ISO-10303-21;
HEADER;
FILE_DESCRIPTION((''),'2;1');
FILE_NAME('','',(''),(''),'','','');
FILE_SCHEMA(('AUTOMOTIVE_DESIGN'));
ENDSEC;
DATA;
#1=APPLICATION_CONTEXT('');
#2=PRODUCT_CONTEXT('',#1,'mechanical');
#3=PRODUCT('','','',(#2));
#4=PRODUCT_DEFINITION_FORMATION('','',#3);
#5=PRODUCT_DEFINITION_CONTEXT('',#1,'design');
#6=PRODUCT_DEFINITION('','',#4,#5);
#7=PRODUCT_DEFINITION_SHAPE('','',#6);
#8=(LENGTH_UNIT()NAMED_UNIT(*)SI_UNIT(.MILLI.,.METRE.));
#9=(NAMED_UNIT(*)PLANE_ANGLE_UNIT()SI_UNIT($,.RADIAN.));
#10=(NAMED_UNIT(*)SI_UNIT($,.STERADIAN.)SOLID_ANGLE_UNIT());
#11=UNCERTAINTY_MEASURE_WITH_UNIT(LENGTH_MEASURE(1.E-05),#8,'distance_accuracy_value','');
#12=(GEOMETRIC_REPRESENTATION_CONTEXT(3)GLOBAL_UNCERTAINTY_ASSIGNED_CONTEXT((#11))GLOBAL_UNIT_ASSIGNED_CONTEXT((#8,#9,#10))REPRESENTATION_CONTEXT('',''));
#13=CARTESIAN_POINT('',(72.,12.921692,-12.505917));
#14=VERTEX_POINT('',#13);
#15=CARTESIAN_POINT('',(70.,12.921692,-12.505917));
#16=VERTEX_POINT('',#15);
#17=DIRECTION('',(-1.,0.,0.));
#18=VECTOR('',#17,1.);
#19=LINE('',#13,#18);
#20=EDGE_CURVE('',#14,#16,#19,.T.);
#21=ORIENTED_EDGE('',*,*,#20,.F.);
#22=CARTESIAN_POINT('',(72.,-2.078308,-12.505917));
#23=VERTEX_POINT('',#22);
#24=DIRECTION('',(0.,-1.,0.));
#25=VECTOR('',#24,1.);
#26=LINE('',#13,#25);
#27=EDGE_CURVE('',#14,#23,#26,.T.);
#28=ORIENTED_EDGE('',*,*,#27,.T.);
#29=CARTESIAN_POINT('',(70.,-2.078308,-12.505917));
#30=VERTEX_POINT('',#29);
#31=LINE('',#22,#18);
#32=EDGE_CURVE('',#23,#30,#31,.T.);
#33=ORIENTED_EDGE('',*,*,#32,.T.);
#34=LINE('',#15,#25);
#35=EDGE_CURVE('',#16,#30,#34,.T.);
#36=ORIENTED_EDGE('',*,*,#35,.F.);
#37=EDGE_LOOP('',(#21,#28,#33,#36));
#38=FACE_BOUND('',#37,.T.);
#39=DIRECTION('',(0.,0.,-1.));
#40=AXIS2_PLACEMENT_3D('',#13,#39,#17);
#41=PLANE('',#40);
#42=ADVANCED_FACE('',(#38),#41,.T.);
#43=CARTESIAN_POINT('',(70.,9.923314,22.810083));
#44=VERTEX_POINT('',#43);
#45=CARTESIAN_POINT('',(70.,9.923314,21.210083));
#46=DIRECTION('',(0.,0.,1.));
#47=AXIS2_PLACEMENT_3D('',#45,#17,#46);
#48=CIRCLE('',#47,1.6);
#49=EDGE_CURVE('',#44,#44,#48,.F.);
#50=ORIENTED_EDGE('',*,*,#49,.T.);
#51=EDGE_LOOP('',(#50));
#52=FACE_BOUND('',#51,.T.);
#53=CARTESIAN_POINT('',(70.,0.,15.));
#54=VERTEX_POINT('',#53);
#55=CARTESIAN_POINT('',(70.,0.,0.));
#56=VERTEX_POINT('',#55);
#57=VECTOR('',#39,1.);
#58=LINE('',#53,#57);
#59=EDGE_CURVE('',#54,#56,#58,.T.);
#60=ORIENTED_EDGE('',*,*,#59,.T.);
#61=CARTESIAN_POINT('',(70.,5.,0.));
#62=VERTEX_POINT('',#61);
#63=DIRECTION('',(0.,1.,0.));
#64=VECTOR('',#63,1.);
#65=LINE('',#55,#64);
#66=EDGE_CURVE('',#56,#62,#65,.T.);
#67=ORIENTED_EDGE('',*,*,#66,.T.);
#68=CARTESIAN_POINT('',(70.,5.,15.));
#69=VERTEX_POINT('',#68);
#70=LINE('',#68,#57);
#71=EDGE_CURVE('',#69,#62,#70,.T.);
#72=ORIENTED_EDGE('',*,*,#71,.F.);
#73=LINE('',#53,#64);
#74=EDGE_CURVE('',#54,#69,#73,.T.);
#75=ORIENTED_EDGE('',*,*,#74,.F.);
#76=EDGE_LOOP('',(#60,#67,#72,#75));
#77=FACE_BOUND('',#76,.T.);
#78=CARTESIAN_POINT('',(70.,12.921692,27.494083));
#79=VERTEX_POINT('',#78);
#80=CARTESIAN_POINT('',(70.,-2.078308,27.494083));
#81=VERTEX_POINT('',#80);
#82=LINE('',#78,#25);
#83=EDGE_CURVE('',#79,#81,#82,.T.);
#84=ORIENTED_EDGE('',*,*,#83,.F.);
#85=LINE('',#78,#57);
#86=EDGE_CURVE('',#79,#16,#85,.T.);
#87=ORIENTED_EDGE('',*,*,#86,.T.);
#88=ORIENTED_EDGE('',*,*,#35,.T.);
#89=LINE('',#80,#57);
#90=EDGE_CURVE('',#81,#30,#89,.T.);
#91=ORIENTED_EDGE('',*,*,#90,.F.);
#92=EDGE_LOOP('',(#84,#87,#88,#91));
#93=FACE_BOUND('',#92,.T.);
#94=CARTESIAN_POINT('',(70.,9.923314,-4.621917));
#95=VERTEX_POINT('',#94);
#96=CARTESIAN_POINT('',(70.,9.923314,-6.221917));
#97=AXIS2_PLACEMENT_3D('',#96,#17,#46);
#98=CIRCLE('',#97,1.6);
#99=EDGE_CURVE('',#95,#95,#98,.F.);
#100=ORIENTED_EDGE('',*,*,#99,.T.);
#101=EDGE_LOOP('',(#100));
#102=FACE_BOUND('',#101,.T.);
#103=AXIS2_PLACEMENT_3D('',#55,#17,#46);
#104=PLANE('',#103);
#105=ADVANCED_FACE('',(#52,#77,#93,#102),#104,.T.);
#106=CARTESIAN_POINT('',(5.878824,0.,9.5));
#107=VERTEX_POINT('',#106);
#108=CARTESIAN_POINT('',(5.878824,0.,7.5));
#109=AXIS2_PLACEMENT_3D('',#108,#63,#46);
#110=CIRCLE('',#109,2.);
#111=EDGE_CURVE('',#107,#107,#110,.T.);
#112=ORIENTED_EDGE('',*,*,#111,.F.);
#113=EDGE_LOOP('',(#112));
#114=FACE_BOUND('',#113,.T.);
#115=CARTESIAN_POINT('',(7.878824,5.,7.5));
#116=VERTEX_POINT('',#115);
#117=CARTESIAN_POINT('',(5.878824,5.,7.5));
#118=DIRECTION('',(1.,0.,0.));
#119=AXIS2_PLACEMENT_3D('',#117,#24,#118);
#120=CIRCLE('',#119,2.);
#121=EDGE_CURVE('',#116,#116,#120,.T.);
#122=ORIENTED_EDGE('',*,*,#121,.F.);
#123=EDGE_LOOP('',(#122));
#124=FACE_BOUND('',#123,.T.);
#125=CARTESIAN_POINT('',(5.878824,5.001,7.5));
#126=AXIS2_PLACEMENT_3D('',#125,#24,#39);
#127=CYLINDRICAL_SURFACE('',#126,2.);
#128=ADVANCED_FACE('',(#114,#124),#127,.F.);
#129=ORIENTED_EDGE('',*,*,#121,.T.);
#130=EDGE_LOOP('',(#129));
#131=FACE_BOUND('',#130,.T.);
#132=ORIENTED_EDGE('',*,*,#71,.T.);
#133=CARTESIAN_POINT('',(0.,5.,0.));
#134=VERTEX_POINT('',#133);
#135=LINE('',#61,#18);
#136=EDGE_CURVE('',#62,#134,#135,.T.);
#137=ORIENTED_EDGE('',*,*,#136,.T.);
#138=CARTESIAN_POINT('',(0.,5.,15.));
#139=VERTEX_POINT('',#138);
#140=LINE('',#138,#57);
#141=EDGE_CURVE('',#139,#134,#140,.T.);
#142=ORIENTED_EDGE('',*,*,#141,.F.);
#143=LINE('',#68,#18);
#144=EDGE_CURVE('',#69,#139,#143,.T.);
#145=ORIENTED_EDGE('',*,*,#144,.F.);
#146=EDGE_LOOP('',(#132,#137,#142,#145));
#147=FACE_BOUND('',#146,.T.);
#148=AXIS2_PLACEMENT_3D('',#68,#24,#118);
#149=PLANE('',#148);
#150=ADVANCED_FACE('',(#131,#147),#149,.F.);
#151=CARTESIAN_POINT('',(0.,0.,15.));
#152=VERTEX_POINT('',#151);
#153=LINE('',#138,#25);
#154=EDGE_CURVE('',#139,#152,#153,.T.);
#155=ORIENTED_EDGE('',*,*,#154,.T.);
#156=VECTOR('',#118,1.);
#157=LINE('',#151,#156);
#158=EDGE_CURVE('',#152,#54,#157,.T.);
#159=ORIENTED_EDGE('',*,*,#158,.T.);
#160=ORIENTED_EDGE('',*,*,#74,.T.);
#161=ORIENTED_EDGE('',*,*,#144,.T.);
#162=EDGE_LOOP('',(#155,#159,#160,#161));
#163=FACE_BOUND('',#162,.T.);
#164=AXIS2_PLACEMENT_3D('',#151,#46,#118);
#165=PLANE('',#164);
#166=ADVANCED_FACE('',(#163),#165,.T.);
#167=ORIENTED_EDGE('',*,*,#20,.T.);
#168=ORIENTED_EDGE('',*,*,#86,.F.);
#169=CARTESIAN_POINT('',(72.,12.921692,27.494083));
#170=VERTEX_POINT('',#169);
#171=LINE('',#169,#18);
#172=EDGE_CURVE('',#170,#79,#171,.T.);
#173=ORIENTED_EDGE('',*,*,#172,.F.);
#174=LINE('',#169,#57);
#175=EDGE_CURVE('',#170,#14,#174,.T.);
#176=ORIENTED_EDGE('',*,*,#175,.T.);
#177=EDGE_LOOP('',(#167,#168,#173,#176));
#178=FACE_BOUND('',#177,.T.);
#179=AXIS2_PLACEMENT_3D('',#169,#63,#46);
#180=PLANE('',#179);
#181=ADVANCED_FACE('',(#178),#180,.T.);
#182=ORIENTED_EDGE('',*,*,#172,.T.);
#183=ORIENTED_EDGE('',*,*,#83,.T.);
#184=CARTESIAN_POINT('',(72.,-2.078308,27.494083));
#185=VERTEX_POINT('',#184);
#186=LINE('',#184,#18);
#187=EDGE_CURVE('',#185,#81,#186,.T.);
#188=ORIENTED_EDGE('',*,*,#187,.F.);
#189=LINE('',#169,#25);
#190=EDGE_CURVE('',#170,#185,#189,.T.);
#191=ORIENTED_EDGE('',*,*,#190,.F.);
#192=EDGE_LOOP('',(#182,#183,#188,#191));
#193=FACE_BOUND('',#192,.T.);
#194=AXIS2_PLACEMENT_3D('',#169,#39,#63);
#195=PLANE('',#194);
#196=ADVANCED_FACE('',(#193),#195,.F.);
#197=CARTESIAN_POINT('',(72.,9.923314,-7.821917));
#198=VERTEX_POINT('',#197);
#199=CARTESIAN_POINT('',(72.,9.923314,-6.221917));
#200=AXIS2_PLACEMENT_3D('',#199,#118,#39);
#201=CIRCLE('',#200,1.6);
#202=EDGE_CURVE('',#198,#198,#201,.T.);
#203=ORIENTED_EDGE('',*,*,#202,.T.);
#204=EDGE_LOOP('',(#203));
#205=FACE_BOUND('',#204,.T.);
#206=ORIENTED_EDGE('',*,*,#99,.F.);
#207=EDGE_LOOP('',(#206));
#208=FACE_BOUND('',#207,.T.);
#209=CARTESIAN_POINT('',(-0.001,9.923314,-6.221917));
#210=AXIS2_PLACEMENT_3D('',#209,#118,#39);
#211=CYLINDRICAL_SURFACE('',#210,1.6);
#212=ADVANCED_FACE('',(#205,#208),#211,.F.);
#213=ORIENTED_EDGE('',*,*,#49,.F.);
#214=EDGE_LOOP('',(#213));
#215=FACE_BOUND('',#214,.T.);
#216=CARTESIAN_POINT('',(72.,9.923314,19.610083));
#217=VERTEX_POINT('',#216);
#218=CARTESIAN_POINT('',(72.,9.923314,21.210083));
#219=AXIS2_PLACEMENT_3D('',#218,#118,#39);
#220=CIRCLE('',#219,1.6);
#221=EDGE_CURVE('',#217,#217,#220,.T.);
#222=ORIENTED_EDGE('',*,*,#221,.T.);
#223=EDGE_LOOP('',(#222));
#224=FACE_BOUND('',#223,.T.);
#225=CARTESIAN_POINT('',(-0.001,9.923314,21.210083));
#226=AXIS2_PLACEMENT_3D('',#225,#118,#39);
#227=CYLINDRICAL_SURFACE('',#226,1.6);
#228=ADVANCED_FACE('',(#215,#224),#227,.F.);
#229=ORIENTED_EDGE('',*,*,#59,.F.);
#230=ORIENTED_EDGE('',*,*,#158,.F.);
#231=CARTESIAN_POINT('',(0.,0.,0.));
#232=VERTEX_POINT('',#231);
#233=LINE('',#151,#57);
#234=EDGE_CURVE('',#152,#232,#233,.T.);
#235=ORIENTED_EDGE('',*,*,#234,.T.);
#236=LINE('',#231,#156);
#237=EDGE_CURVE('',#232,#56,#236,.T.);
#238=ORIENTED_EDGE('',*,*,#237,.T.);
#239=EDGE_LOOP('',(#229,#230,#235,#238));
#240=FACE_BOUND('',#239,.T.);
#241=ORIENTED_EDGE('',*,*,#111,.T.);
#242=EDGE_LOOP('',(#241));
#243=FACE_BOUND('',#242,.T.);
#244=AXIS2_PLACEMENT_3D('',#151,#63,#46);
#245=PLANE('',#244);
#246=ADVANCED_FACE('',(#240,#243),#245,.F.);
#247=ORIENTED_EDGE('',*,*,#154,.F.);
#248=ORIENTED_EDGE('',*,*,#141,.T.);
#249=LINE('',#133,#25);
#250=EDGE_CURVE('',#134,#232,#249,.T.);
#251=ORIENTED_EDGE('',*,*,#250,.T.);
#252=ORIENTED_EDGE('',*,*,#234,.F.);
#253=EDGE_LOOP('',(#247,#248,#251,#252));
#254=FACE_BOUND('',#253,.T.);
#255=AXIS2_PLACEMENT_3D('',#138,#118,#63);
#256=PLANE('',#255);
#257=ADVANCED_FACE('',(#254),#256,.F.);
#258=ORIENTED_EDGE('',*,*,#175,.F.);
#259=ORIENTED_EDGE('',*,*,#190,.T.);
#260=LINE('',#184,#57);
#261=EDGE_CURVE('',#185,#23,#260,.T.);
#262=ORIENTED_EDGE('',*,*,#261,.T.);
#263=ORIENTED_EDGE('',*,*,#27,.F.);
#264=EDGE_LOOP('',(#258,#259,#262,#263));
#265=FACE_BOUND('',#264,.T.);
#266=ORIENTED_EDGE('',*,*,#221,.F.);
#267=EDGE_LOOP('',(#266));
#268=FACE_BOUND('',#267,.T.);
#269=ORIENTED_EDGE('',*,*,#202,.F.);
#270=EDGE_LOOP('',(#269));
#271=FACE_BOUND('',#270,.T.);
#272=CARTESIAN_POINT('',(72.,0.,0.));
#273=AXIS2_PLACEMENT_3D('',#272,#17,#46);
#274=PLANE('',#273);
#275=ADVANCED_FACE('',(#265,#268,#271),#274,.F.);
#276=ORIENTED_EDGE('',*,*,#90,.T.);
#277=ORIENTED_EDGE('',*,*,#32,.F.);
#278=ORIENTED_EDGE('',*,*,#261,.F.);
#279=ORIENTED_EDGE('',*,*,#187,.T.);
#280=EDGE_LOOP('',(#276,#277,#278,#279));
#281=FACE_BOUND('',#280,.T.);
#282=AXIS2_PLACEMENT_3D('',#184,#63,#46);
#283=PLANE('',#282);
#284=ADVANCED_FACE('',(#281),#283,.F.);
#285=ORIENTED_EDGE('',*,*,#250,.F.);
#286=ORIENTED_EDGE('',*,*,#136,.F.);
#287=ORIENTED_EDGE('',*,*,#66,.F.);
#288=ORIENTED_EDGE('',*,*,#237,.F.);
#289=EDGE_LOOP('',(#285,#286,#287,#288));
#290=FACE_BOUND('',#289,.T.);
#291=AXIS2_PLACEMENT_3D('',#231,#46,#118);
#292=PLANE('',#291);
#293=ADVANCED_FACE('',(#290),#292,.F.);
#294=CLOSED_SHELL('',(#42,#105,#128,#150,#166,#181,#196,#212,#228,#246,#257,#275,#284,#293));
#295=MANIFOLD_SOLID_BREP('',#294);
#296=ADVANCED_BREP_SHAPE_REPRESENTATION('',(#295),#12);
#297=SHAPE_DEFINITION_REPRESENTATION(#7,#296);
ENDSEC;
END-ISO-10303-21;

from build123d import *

# Parameters (mm, degrees)
SKETCH_3_W          = 70
SKETCH_3_H          = 5
EXTRUDE_3_DEPTH     = 15
CUT_EXTRUDE_1_REACH = 73.764
SKETCH_4_R          = 2
SKETCH_7_W          = 40
SKETCH_7_H          = 15
EXTRUDE_5_DEPTH     = 2
CUT_EXTRUDE_2_REACH = 80.147
SKETCH_9_R          = 1.6


with BuildPart() as part:
    # 草图3 → 凸台-拉伸3 (new body)
    with BuildSketch(Plane.XY):
        with Locations((35, 2.5)):
            Rectangle(SKETCH_3_W, SKETCH_3_H)
    extrude(amount=EXTRUDE_3_DEPTH)

    # 草图4 → 切除-拉伸1 (cut, up to next)
    with BuildSketch(Plane(origin=(0, 0, 0), x_dir=(1, 0, 0), z_dir=(0, 1, 0)), mode=Mode.PRIVATE) as cut_extrude_1_sk1:
        with Locations((5.878824242, -7.5)):
            Circle(SKETCH_4_R)
    cut_extrude_1_tool1 = extrude(cut_extrude_1_sk1.sketch, amount=CUT_EXTRUDE_1_REACH, mode=Mode.PRIVATE) & part.part
    add(cut_extrude_1_tool1.solids().sort_by_distance((5.878824, 0, 7.5))[0], mode=Mode.SUBTRACT)

    # 草图7 → 凸台-拉伸5 (add)
    with BuildSketch(Plane(origin=(70, 0, 0), x_dir=(0, 0, -1), z_dir=(1, 0, 0))):
        with Locations((-7.494082881, 5.421691662)):
            Rectangle(SKETCH_7_W, SKETCH_7_H)
    extrude(amount=EXTRUDE_5_DEPTH)

    # 草图9 → 切除-拉伸2 (cut, up to next)
    with BuildSketch(Plane(origin=(72, 0, 0), x_dir=(0, 0, -1), z_dir=(1, 0, 0)), mode=Mode.PRIVATE) as cut_extrude_2_sk1:
        with Locations((-21.210082881, 9.92331395)):
            Circle(SKETCH_9_R)
    cut_extrude_2_tool1 = extrude(cut_extrude_2_sk1.sketch, amount=-CUT_EXTRUDE_2_REACH, mode=Mode.PRIVATE) & part.part
    # 草图9 → 切除-拉伸2 (cut, up to next)
    with BuildSketch(Plane(origin=(72, 0, 0), x_dir=(0, 0, -1), z_dir=(1, 0, 0)), mode=Mode.PRIVATE) as cut_extrude_2_sk2:
        with Locations((6.221917119, 9.92331395)):
            Circle(SKETCH_9_R)
    cut_extrude_2_tool2 = extrude(cut_extrude_2_sk2.sketch, amount=-CUT_EXTRUDE_2_REACH, mode=Mode.PRIVATE) & part.part
    add(cut_extrude_2_tool1.solids().sort_by_distance((72, 9.923314, 21.210083))[0], mode=Mode.SUBTRACT)
    add(cut_extrude_2_tool2.solids().sort_by_distance((72, 9.923314, -6.221917))[0], mode=Mode.SUBTRACT)


solid = part.part
